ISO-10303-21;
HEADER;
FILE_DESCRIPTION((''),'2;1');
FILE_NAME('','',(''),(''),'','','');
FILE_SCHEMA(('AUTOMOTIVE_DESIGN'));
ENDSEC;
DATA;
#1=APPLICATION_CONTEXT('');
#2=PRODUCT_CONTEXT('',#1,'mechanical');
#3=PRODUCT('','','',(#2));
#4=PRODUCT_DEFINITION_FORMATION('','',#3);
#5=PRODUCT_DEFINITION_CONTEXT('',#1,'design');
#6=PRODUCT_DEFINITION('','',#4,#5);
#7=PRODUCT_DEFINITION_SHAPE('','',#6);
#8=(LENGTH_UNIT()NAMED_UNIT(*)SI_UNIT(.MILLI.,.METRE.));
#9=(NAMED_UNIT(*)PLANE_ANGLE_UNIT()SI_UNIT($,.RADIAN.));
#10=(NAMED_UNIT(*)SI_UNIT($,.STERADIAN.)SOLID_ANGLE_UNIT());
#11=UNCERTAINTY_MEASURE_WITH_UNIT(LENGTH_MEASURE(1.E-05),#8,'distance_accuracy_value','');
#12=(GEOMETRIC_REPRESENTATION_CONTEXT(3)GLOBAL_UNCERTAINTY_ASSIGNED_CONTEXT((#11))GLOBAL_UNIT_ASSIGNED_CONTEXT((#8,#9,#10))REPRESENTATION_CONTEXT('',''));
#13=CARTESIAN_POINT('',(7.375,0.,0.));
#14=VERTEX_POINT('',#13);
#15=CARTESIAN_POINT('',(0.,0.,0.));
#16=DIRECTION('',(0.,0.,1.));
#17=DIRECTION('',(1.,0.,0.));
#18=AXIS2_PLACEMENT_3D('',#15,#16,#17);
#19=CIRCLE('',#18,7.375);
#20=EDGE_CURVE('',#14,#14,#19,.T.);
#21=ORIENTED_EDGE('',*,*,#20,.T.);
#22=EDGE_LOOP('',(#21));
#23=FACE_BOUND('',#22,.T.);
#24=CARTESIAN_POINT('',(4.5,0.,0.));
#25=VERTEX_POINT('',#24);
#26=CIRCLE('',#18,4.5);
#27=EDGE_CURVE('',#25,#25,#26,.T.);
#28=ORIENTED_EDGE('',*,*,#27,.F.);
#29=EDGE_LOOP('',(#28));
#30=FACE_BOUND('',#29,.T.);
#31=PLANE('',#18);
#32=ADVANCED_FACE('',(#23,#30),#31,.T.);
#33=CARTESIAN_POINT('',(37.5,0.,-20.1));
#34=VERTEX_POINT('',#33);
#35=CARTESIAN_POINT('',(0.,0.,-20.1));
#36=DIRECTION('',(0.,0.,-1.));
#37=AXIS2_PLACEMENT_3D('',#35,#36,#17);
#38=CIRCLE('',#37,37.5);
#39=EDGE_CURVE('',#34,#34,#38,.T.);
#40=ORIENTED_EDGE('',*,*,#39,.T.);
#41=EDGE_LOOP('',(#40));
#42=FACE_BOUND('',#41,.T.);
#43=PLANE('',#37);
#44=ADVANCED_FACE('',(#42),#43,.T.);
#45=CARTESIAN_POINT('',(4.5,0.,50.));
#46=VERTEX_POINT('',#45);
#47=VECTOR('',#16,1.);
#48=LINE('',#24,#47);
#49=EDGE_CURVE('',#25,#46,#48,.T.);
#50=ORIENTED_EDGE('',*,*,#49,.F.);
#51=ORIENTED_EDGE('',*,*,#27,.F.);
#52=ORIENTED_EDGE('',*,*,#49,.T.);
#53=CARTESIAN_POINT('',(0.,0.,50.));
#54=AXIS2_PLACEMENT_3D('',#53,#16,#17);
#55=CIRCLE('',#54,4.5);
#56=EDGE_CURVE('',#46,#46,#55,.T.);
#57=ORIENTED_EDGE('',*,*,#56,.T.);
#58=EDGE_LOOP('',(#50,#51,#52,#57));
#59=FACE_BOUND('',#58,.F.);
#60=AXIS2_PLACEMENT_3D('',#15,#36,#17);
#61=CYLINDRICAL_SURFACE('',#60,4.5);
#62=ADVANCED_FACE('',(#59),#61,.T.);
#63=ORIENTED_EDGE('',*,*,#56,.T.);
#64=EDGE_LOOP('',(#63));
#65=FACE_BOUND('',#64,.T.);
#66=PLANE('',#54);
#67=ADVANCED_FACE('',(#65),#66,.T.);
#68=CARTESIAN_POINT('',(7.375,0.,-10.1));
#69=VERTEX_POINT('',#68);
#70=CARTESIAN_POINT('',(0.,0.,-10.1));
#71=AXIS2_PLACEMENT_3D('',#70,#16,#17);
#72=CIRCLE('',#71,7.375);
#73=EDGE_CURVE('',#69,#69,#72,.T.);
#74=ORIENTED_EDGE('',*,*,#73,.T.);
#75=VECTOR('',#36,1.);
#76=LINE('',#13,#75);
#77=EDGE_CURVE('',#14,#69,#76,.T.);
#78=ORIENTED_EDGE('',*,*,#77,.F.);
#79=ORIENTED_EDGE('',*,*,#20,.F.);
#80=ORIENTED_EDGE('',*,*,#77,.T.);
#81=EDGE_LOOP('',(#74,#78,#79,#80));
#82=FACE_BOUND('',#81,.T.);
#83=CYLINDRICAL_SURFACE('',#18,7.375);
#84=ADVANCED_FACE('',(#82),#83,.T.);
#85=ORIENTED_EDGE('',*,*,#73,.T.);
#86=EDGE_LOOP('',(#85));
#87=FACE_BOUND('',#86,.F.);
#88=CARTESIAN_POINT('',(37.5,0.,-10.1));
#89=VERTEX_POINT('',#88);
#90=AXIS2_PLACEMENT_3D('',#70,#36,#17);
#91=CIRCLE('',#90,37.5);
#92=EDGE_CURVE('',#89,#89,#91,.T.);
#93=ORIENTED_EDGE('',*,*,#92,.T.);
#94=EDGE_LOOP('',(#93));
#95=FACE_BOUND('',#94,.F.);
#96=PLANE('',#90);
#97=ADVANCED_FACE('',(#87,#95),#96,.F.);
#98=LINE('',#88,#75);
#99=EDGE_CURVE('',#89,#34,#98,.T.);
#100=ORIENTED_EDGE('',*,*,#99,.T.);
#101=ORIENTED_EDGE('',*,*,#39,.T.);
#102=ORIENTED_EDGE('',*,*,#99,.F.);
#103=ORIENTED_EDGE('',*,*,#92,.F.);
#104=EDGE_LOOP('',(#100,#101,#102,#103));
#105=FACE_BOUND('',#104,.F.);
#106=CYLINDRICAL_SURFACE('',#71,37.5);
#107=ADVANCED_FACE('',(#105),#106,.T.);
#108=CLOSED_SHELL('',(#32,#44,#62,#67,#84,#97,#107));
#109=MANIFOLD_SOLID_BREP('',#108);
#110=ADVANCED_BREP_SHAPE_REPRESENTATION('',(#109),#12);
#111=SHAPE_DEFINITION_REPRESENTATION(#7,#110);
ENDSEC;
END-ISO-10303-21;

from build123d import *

# Parameters (mm, degrees)
F0_R     = 4.5
F1_DEPTH = 50
F2_R     = 7.375
F3_DEPTH = 10.1
F4_R     = 37.5
F5_DEPTH = 10


with BuildPart() as f1:
    # F0 (on Top) → F1 (new body)
    with BuildSketch(Plane.XY):
        Circle(F0_R)
    extrude(amount=F1_DEPTH)

    # F2 (on Top) → F3 (join)
    with BuildSketch(Plane.XY):
        Circle(F2_R)
    extrude(amount=-F3_DEPTH)

    # F4 (on face) → F5 (join)
    with BuildSketch(Plane(origin=(0, 0, -10.1), x_dir=(1, 0, 0), z_dir=(0, 0, -1))):
        Circle(F4_R)
    extrude(amount=F5_DEPTH)


solid = f1.part
